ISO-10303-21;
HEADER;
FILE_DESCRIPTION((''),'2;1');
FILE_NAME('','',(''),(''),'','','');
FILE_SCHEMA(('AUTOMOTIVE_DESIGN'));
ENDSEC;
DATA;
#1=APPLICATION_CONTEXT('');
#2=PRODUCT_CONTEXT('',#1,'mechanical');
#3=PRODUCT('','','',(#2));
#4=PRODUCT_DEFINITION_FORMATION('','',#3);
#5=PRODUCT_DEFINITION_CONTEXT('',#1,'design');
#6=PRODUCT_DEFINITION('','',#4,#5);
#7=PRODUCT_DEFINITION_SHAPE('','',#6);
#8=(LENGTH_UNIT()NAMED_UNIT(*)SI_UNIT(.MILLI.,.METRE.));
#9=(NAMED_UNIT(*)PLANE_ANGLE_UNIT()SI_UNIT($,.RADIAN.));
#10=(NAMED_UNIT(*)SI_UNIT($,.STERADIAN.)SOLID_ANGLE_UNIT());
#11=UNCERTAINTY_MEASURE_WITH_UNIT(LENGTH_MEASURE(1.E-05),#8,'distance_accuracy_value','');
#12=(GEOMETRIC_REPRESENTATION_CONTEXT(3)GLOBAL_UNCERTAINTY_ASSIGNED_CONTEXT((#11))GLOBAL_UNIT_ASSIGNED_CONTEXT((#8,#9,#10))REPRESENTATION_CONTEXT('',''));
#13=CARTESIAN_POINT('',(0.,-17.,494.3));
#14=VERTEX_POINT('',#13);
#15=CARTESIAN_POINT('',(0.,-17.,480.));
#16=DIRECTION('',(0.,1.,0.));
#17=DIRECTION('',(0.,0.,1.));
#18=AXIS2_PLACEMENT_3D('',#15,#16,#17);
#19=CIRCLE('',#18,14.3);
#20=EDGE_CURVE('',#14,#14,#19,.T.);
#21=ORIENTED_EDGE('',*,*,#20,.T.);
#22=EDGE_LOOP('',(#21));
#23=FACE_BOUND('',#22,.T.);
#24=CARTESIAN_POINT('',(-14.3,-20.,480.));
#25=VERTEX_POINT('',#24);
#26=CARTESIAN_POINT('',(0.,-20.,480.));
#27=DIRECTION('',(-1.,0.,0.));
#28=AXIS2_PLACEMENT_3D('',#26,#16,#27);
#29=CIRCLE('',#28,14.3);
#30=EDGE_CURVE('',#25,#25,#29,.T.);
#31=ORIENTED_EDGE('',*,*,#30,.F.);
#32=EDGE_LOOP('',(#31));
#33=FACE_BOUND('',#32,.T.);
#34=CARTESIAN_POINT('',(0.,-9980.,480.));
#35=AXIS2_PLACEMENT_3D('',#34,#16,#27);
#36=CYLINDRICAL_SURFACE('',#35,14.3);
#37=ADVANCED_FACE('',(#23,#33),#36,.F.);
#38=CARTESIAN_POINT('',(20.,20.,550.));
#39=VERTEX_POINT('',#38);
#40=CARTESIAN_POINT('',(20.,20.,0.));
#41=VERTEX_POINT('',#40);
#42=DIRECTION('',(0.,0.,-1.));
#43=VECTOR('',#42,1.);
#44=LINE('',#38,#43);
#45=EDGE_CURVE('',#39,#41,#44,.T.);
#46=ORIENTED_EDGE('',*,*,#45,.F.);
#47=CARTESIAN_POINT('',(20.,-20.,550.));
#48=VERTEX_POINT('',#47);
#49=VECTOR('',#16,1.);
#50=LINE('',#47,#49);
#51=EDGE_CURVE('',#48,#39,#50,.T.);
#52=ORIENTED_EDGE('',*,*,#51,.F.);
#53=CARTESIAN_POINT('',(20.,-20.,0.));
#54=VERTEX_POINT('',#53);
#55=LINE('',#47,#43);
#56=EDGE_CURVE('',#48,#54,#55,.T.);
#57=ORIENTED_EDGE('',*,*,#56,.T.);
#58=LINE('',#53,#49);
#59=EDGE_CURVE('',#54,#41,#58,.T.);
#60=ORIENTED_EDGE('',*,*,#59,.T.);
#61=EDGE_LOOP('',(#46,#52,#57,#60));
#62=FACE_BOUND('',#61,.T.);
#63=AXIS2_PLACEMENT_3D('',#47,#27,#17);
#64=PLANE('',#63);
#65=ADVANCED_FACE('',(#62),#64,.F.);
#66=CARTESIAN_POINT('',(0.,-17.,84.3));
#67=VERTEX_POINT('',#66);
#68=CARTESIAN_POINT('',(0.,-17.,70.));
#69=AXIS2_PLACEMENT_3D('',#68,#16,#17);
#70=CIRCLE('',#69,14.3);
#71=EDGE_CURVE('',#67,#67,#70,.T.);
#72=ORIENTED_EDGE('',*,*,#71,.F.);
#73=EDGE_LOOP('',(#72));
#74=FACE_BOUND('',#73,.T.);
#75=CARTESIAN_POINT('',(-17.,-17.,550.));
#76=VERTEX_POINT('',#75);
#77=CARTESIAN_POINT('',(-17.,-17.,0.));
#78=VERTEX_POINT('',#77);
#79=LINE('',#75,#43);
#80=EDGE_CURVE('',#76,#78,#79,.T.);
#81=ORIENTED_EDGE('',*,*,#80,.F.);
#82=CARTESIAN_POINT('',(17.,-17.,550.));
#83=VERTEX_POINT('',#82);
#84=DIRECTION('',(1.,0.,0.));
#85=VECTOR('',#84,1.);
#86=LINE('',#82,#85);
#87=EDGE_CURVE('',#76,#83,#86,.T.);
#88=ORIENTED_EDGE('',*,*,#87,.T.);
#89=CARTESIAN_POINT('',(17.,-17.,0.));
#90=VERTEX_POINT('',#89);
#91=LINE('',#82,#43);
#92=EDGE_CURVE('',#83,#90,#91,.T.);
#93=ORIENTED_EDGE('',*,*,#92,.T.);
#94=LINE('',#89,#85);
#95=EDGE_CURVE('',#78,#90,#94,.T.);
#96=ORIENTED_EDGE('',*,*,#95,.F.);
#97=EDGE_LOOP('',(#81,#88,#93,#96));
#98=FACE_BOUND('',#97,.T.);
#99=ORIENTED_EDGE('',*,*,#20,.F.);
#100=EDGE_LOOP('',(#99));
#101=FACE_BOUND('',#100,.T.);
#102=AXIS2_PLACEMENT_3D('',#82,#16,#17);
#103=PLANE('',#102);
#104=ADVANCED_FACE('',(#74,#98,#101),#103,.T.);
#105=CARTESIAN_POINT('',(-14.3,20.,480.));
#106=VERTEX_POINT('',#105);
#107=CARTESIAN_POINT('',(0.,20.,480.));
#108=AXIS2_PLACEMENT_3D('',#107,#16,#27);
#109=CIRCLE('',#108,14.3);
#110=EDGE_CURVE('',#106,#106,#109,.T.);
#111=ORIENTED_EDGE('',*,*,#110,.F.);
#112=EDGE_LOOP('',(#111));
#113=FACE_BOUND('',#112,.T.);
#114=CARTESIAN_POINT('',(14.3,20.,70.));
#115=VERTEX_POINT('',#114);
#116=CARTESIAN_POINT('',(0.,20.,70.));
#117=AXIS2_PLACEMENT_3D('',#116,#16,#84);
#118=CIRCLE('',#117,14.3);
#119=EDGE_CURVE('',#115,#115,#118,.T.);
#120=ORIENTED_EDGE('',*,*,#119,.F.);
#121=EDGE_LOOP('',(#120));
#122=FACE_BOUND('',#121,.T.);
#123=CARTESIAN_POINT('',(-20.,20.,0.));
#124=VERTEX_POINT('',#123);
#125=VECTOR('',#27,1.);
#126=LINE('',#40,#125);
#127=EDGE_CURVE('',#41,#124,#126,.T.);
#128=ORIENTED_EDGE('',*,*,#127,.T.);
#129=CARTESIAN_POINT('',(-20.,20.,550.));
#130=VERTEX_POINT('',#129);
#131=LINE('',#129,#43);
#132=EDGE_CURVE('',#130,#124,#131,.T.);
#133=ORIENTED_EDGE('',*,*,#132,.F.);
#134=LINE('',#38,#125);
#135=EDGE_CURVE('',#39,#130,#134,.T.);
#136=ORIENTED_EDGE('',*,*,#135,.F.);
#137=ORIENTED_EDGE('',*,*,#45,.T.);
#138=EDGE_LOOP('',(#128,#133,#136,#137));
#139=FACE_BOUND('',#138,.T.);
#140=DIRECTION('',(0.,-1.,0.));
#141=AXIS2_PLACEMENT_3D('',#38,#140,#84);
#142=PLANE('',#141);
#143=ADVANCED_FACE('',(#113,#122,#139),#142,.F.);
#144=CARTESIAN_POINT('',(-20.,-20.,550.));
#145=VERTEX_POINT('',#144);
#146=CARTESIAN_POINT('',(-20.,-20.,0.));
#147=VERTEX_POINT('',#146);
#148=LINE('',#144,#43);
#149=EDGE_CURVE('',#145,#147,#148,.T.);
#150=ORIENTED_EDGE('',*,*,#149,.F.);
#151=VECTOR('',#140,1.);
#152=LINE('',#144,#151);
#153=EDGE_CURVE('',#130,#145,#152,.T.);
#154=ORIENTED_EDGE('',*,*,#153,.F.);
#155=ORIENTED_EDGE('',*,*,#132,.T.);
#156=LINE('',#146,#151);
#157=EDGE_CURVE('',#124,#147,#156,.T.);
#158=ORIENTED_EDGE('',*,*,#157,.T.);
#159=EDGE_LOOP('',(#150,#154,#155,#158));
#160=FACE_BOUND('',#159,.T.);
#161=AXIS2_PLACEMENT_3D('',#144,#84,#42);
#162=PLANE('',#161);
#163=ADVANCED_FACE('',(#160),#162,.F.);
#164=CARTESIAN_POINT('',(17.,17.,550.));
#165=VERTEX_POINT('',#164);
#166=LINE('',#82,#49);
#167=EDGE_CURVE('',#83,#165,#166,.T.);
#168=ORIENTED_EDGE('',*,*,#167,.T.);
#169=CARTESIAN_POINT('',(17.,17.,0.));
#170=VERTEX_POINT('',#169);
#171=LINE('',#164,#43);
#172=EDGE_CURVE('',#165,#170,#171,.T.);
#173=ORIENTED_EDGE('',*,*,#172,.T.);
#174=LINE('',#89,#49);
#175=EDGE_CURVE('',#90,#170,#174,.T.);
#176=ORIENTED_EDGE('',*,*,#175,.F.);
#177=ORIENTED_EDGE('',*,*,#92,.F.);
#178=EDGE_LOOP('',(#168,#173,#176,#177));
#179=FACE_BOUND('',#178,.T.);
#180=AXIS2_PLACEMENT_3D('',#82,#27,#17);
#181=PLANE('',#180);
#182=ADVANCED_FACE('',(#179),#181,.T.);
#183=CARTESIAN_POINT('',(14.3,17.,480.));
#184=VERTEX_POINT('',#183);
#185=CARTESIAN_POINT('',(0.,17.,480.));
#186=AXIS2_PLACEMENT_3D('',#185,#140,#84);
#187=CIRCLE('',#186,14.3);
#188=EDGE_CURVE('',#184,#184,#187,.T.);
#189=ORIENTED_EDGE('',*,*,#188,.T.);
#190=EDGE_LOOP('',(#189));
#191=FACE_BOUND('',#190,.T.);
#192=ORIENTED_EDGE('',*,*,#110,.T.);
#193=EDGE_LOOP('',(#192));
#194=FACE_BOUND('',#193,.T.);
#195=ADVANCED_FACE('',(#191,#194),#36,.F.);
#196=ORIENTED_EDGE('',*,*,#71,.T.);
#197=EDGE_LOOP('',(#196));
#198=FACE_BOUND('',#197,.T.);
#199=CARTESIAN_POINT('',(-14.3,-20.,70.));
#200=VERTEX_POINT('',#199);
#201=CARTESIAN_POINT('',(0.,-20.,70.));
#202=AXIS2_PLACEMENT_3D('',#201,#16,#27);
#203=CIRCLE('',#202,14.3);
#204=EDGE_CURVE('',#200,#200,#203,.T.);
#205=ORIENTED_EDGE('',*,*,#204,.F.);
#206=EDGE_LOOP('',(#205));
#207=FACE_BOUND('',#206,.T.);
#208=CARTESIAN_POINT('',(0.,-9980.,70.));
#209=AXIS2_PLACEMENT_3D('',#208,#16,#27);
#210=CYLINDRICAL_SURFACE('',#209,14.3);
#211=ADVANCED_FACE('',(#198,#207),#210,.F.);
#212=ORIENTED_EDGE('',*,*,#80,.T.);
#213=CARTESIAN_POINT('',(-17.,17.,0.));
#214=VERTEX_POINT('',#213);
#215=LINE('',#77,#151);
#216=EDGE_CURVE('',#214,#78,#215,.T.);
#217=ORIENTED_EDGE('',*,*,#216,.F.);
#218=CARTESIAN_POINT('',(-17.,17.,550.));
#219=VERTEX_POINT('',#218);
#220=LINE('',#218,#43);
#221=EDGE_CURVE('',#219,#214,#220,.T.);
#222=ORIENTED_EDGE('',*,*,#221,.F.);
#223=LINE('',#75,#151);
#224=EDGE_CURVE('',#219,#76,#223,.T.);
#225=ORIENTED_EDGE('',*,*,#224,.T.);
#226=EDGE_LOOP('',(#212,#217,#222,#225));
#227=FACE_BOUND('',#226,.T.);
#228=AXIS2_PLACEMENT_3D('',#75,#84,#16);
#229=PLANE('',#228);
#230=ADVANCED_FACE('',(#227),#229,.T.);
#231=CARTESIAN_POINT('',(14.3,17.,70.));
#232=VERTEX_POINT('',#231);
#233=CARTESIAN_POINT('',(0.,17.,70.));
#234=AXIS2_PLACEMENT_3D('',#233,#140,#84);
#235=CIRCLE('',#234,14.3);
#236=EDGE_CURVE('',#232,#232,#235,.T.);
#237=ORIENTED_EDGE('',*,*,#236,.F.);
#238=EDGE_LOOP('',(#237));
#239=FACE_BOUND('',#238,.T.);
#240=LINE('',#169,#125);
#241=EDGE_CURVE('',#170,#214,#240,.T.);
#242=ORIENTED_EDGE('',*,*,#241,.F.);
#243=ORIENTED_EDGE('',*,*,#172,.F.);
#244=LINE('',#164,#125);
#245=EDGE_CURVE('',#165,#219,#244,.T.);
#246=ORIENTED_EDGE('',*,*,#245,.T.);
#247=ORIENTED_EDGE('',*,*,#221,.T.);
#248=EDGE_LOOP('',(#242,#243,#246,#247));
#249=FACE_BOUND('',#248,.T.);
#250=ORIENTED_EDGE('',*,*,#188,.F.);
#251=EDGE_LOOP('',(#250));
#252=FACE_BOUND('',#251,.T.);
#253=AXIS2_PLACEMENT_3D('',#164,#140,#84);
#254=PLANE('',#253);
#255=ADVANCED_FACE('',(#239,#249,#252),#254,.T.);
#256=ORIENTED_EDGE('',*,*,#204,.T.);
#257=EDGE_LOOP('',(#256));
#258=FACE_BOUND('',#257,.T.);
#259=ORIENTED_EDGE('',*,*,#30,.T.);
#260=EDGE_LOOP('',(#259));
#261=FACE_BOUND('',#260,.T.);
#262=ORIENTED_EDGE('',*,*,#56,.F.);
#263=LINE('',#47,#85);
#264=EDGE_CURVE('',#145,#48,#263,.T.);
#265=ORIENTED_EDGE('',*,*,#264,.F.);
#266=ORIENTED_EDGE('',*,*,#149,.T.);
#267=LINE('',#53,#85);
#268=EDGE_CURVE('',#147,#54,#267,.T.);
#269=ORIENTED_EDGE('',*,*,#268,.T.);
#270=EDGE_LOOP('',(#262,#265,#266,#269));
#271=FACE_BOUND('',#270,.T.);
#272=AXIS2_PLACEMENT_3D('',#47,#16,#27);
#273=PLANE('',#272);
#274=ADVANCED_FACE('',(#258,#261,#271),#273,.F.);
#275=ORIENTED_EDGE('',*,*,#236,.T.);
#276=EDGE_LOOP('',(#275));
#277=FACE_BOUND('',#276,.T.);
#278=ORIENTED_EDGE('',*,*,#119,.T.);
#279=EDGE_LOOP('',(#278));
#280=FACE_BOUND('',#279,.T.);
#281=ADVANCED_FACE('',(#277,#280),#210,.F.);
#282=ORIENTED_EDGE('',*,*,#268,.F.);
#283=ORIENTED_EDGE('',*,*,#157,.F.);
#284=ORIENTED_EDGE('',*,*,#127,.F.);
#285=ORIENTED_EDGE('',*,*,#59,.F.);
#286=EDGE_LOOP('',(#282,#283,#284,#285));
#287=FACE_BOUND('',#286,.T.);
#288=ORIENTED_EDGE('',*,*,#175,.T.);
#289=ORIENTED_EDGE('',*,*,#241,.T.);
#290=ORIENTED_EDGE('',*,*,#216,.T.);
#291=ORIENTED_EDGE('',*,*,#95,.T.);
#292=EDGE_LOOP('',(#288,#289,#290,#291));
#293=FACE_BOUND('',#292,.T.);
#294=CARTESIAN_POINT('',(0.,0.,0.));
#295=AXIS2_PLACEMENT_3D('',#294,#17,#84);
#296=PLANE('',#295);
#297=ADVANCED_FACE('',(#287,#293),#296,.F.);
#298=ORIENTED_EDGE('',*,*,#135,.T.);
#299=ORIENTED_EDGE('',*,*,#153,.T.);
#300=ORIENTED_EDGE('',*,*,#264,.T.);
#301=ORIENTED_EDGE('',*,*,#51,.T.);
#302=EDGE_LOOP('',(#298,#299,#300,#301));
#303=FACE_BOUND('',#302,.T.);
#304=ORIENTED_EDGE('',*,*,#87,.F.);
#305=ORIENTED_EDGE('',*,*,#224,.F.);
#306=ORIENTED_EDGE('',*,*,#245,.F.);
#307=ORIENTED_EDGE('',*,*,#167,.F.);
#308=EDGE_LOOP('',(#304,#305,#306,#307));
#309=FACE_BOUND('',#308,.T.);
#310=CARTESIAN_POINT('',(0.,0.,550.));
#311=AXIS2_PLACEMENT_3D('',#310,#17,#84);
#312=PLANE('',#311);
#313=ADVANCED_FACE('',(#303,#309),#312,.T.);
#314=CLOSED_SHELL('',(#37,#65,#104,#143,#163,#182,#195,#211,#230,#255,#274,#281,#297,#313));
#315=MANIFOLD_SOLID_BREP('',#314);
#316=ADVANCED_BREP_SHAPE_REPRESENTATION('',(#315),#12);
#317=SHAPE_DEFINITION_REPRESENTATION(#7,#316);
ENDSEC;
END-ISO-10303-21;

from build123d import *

# Parameters (mm, degrees)
SKETCH6_W           = 40
SKETCH6_H           = 40
SKETCH6_W_2         = 34
SKETCH6_H_2         = 34
BOSS_EXTRUDE2_DEPTH = 550
SKETCH8_R           = 14.3
CUT_EXTRUDE2_DEPTH  = 10000


with BuildPart() as part:
    # Sketch6 → Boss-Extrude2 (new body)
    with BuildSketch(Plane.XY):
        Rectangle(SKETCH6_W, SKETCH6_H)
        Rectangle(SKETCH6_W_2, SKETCH6_H_2, mode=Mode.SUBTRACT)
    extrude(amount=BOSS_EXTRUDE2_DEPTH)

    # Sketch8 → Cut-Extrude2 (cut)
    with BuildSketch(Plane(origin=(0, 20, 0), x_dir=(1, 0, 0), z_dir=(0, 1, 0))):
        with Locations((0, -480)):
            Circle(SKETCH8_R)
        with Locations((0, -70)):
            Circle(SKETCH8_R)
    extrude(amount=-CUT_EXTRUDE2_DEPTH, mode=Mode.SUBTRACT)


solid = part.part
